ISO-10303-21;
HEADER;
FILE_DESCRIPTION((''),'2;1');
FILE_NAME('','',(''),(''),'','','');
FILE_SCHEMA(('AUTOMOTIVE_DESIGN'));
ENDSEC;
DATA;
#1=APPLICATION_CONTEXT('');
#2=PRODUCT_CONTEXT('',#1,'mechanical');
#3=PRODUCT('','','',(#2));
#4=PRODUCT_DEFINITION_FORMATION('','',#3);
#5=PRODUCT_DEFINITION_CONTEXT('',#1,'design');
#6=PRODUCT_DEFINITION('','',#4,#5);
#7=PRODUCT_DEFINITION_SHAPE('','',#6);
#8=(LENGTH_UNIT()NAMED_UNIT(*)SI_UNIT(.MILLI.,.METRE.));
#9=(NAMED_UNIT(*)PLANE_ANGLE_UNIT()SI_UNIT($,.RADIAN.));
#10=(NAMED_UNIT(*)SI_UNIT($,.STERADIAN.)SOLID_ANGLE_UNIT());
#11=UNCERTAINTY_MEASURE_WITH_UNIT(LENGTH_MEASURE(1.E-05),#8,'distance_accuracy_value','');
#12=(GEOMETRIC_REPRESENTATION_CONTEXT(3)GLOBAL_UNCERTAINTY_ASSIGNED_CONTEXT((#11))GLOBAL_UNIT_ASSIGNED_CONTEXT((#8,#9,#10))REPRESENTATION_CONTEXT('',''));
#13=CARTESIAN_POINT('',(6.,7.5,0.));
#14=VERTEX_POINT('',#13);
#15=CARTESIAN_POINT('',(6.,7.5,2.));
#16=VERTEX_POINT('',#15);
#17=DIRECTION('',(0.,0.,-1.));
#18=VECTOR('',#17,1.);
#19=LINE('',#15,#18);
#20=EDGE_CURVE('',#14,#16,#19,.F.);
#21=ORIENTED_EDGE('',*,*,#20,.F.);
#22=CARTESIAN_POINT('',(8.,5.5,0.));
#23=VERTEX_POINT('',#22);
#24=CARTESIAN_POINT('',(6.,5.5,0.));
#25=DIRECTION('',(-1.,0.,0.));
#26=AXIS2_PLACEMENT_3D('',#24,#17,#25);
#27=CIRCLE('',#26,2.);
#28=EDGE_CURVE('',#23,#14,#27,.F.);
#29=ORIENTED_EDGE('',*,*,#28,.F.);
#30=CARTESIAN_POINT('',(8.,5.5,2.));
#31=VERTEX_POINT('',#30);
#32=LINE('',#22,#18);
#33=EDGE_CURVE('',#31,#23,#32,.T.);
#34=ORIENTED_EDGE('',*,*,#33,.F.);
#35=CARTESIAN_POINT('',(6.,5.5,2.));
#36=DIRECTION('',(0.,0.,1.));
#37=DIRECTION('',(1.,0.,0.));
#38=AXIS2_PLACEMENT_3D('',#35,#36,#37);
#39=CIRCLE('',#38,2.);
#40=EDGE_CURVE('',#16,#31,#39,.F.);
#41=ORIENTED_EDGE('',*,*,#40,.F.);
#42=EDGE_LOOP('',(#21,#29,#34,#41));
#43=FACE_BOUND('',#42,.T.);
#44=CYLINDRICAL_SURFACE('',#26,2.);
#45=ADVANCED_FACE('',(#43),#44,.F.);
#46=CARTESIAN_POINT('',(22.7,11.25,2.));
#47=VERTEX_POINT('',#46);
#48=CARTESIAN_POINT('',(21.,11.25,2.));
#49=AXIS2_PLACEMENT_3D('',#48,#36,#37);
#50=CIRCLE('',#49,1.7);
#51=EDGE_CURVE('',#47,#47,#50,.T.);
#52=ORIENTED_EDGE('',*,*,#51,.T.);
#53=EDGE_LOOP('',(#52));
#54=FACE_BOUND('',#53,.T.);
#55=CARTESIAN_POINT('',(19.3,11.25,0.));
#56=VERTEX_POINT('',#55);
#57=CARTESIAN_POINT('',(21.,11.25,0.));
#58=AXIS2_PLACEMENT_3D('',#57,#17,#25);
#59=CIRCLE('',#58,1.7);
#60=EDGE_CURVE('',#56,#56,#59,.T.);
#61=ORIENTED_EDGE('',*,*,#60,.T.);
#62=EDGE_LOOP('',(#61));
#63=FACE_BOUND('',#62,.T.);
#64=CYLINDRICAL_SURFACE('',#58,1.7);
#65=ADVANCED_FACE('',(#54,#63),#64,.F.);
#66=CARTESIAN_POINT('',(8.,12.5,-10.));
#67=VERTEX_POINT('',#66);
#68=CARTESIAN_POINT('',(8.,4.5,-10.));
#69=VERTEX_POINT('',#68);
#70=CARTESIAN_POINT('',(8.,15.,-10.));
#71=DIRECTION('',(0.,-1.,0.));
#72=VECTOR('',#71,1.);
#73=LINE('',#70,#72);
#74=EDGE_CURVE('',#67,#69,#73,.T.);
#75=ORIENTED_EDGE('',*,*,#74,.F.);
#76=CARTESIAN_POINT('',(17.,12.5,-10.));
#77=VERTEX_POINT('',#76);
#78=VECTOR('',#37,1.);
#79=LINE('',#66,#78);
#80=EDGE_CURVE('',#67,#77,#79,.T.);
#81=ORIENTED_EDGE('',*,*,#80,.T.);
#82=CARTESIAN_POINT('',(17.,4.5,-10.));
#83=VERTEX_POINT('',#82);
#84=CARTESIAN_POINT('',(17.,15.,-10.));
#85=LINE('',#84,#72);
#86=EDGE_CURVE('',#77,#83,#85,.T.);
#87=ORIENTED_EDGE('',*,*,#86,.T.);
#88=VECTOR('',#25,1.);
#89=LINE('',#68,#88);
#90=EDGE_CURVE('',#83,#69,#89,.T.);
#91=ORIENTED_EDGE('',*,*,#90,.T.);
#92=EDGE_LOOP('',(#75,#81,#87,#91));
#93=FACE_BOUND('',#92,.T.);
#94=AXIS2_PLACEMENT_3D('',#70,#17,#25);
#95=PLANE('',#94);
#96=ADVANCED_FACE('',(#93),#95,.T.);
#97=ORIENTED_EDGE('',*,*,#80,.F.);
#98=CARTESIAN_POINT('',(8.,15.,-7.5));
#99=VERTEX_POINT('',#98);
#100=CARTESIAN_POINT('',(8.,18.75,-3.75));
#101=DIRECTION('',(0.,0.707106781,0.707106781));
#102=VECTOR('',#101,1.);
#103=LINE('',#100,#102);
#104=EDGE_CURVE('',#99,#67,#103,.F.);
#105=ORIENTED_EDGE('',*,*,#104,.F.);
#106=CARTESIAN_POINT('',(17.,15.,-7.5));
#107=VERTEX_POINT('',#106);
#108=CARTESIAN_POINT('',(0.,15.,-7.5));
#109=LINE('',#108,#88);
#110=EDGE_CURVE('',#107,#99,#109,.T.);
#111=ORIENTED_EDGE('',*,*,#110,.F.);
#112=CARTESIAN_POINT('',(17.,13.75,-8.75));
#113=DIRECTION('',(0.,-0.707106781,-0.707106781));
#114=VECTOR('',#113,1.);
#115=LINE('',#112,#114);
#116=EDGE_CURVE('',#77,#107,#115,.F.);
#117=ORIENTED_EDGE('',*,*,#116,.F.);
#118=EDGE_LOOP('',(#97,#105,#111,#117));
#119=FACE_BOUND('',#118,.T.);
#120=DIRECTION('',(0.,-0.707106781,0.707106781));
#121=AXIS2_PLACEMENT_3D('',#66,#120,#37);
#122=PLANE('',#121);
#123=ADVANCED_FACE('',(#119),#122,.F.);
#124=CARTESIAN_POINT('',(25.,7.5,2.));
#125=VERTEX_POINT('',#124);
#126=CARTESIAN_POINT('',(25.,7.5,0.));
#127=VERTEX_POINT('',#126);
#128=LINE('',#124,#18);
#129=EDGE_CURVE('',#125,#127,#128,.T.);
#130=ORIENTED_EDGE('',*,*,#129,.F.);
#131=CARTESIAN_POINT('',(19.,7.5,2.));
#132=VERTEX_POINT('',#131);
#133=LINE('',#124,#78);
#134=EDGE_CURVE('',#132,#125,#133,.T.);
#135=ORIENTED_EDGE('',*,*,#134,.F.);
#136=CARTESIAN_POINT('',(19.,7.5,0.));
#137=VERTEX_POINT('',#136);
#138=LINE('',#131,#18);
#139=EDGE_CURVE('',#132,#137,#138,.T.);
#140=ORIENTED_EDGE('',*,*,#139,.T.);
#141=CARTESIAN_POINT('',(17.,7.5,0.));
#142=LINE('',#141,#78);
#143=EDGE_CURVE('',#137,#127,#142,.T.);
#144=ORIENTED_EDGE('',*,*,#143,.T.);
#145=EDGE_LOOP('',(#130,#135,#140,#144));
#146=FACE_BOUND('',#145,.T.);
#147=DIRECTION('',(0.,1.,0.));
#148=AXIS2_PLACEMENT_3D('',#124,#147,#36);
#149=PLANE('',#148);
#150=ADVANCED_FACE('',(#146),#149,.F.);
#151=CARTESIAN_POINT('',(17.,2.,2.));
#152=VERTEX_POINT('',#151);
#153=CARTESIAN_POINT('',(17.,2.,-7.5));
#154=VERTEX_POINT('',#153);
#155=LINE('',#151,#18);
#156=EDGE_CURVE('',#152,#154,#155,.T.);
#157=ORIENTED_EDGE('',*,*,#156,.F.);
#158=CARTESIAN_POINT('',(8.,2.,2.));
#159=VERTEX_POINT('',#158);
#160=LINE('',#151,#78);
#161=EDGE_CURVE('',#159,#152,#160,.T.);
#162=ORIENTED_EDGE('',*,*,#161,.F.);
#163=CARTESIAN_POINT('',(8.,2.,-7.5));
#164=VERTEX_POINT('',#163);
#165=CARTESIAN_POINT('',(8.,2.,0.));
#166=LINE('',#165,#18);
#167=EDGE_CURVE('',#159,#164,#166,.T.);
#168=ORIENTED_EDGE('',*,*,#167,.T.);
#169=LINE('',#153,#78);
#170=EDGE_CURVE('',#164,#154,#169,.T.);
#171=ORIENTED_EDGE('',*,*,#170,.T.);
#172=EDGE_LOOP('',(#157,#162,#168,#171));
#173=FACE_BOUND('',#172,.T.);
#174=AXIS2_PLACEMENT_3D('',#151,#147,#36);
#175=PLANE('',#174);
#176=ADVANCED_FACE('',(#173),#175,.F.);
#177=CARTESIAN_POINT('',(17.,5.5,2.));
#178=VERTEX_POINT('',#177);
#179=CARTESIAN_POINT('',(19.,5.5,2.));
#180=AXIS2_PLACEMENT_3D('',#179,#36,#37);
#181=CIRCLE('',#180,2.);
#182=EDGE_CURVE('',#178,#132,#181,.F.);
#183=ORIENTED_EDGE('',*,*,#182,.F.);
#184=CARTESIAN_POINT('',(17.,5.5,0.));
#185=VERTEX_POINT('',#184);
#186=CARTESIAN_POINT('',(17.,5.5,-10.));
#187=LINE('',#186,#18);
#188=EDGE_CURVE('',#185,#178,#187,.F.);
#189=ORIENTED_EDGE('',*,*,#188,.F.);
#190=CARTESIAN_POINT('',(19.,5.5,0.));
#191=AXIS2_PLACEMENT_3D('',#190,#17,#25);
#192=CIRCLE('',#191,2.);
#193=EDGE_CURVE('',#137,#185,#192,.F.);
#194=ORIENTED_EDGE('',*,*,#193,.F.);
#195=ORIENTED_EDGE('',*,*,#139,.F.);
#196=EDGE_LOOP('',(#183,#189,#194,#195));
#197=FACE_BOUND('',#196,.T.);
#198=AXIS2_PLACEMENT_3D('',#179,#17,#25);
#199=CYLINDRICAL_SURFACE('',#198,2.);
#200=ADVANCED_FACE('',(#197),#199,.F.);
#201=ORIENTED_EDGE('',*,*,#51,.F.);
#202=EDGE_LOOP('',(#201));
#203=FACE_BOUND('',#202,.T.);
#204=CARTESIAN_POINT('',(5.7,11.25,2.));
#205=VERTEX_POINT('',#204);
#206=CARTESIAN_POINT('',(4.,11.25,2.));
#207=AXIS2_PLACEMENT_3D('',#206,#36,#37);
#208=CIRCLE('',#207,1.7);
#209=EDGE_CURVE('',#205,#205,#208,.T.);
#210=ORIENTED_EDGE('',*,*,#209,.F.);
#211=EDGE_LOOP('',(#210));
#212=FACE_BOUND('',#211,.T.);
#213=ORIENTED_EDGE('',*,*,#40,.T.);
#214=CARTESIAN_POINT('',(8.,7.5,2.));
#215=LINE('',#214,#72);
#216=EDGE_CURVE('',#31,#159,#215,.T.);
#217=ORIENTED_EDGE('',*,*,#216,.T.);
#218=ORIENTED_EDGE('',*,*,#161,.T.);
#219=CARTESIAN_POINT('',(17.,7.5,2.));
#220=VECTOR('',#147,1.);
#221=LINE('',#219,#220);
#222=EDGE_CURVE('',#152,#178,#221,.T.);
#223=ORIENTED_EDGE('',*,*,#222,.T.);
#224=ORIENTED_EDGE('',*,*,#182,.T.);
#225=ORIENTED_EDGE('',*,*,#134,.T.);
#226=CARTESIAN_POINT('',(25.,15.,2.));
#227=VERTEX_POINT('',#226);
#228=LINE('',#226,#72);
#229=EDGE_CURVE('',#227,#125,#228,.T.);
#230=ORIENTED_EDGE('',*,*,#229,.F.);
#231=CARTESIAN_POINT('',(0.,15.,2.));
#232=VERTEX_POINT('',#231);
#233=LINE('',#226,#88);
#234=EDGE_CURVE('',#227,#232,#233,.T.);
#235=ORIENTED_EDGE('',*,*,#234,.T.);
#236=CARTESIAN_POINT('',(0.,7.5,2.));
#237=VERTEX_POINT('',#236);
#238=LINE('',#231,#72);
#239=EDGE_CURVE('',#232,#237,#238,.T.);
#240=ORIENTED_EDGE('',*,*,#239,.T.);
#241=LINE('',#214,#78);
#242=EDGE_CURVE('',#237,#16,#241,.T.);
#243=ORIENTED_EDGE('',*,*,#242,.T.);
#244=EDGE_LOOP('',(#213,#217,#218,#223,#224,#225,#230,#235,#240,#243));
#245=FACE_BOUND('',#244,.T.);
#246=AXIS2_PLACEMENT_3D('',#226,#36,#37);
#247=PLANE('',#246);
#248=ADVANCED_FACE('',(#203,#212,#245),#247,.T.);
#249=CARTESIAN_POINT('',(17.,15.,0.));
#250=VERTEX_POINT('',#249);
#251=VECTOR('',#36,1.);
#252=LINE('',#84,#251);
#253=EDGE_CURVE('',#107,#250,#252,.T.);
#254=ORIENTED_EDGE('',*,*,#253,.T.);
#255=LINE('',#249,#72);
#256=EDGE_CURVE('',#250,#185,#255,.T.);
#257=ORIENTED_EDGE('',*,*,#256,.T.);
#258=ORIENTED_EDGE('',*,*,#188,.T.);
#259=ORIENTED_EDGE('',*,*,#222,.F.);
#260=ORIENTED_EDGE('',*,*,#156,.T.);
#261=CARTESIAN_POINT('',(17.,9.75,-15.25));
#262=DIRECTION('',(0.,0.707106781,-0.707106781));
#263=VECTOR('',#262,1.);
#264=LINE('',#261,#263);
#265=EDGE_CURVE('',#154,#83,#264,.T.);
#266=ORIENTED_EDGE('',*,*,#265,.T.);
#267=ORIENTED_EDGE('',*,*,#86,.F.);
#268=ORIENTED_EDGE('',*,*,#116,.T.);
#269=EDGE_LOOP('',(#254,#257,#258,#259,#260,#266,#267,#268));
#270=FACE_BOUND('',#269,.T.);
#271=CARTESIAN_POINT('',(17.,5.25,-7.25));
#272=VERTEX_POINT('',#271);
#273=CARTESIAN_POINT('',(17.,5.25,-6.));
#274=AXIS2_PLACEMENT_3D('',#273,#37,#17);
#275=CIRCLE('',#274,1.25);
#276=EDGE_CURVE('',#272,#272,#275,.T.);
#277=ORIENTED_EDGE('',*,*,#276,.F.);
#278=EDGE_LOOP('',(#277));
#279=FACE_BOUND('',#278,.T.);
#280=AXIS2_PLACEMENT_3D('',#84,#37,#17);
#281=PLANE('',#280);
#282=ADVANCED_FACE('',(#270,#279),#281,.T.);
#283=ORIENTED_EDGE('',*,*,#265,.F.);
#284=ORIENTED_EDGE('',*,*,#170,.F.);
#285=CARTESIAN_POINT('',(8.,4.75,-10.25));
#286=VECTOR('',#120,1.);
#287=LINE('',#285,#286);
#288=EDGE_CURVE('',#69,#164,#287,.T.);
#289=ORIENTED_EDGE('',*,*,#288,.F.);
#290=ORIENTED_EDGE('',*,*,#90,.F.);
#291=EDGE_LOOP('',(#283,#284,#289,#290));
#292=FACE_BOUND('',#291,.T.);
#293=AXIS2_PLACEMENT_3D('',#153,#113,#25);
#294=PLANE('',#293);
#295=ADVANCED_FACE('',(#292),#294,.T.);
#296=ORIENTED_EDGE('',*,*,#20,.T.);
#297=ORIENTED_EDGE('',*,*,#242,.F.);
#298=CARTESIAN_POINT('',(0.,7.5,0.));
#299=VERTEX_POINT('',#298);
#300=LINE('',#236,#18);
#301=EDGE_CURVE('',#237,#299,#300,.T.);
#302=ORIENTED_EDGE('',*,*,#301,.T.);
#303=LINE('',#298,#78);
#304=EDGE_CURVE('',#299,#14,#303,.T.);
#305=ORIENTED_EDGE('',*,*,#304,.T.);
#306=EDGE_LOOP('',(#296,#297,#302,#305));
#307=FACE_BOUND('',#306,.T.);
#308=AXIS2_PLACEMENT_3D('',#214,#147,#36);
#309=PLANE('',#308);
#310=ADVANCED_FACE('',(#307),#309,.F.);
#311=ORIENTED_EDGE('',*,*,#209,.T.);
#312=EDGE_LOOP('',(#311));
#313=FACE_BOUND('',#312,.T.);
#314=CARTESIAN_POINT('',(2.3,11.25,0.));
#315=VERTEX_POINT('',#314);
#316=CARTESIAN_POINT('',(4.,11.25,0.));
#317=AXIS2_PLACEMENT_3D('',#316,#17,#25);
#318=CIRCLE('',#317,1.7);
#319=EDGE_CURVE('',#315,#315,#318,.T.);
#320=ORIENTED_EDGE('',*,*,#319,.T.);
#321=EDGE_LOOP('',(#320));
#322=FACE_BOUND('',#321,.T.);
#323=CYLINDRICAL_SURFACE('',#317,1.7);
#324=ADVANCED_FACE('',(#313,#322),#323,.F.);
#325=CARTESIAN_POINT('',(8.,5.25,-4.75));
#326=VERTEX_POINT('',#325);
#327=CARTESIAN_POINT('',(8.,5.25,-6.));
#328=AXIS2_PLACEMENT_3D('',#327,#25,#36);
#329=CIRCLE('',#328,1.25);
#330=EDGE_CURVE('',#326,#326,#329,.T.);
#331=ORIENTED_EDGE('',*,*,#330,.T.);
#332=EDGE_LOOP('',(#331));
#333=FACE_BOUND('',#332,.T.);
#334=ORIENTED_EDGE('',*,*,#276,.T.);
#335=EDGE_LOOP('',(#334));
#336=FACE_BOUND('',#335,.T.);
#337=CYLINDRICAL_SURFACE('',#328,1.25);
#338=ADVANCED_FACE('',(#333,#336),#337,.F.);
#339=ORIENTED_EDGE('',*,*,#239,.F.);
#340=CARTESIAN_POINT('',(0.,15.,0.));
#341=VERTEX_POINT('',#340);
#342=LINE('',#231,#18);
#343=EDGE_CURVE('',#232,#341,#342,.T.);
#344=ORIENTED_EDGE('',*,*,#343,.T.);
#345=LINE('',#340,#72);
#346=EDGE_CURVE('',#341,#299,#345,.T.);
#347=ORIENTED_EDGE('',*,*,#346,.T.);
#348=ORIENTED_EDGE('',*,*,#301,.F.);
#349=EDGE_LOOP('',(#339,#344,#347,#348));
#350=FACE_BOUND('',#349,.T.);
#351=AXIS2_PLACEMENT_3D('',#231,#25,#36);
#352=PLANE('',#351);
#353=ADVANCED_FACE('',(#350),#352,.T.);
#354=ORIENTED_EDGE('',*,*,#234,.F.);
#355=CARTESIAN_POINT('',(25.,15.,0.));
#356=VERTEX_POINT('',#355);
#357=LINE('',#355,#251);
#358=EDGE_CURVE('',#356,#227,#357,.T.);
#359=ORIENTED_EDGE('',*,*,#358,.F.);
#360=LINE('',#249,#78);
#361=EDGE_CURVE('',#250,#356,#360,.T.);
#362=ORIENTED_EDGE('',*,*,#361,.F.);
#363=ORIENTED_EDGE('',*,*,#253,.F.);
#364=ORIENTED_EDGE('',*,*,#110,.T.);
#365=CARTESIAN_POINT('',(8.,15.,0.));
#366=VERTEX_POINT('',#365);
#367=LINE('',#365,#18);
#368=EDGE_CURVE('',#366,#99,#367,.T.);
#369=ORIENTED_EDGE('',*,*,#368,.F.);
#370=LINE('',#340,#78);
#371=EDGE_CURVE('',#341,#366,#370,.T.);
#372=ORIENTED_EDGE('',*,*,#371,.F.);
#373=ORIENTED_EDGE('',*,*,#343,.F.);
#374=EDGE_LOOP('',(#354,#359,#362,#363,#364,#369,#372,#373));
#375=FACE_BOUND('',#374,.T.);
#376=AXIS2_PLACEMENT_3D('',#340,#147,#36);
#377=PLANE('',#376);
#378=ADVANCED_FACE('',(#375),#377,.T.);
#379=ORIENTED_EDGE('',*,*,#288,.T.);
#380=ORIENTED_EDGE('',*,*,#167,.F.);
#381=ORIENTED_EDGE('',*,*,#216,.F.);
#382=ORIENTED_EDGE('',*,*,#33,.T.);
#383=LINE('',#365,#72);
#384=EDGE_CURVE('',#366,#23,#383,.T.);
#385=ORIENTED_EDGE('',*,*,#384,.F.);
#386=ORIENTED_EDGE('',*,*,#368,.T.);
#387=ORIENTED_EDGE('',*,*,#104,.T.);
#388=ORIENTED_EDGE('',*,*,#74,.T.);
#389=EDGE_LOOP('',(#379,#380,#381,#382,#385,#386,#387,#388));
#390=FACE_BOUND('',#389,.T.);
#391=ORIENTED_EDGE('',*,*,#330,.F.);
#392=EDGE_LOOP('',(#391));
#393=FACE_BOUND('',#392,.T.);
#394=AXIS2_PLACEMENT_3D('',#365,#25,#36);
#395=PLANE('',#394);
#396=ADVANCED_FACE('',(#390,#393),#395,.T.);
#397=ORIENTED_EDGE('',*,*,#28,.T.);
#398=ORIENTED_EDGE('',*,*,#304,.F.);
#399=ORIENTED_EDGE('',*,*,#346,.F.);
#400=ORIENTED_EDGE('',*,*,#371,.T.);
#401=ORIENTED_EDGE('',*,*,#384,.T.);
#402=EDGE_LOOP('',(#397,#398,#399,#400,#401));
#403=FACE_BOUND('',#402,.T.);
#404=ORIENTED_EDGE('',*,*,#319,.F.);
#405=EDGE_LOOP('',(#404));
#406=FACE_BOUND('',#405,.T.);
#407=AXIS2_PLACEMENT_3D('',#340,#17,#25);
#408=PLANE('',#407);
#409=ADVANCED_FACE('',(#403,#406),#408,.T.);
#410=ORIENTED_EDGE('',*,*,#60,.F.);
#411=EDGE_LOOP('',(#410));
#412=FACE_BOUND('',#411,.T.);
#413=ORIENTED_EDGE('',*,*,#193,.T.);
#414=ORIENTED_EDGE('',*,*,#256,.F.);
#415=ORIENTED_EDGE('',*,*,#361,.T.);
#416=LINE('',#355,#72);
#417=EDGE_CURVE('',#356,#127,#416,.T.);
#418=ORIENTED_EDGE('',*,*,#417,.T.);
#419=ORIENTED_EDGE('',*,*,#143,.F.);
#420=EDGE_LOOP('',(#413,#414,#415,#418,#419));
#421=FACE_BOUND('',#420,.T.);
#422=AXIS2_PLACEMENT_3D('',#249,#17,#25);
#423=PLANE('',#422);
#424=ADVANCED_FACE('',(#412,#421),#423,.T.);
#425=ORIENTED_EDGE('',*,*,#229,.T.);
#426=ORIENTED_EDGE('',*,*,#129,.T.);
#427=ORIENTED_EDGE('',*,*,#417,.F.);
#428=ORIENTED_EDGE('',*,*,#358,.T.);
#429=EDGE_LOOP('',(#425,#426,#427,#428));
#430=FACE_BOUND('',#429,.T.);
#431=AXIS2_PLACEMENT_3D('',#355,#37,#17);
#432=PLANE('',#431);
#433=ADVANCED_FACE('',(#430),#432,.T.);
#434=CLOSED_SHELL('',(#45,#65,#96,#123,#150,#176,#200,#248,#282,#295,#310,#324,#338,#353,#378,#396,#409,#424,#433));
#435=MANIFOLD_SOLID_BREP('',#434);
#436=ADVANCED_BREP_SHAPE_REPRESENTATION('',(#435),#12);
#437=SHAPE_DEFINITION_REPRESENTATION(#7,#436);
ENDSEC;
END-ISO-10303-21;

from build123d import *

# Parameters (mm, degrees)
BOSS_EXTRUDE1_DEPTH         = 15
CUT_EXTRUDE2_DEPTH          = 11
CUT_EXTRUDE2_DEPTH_BACK     = 3
M3_CLEARANCE_HOLE1_D        = 3.4
M3_CLEARANCE_HOLE1_DEPTH    = 3.9
M3_CLEARANCE_HOLE1_TIP      = 1.021463052
TAP_DRILL_FOR_M3X0_5_TAP1_D = 2.5
CHAMFER2_SIZE               = 2.5
FILLET1_R                   = 2


with BuildPart() as part:
    # Sketch1 → Boss-Extrude1 (new body)
    with BuildSketch(Plane(origin=(0, 0, 0), x_dir=(1, 0, 0), z_dir=(0, 1, 0))):
        Polygon((0, 0), (8, 0), (8, 10), (17, 10), (17, 0), (25, 0), (25, -2), (0, -2), align=None)
    extrude(amount=BOSS_EXTRUDE1_DEPTH)

    # Sketch5 → Cut-Extrude2 (cut, two sides)
    with BuildSketch(Plane(origin=(0, 0, 0), x_dir=(-1, 0, 0), z_dir=(0, 0, -1))) as cut_extrude2_sk:
        Polygon((-25, 7.5), (-17, 7.5), (-17, 2), (-8, 2), (-8, 7.5), (0, 7.5), (0, 0), (-8, 0), (-17, 0), (-25, 0), align=None)
    extrude(amount=CUT_EXTRUDE2_DEPTH, mode=Mode.SUBTRACT)
    extrude(cut_extrude2_sk.sketch, amount=-CUT_EXTRUDE2_DEPTH_BACK, mode=Mode.SUBTRACT)

    # M3 Clearance Hole1
    with Locations(Plane(origin=(0, 0, 0), x_dir=(-1, 0, 0), z_dir=(0, 0, -1))):
        with Locations((-4, 11.25), (-21, 11.25)):
            Hole(M3_CLEARANCE_HOLE1_D / 2, depth=M3_CLEARANCE_HOLE1_DEPTH)
            with Locations((0, 0, -(M3_CLEARANCE_HOLE1_DEPTH + M3_CLEARANCE_HOLE1_TIP / 2))):  # 118° drill point
                Cone(0, M3_CLEARANCE_HOLE1_D / 2, M3_CLEARANCE_HOLE1_TIP, mode=Mode.SUBTRACT)

    # Tap Drill for M3x0.5 Tap1 (through all)
    with Locations(Plane.ZY.offset(-8)):
        with Locations((-6, 5.25)):
            Hole(TAP_DRILL_FOR_M3X0_5_TAP1_D / 2)

    # Chamfer2
    chamfer2_edges = [part.edges().sort_by_distance(p)[0] for p in [
        (12.5, 15, -10),
        (12.5, 2, -10),
    ]]
    chamfer(chamfer2_edges, length=CHAMFER2_SIZE)

    # Fillet1
    fillet1_edges = [part.edges().sort_by_distance(p)[0] for p in [
        (17, 7.5, 1),
        (8, 7.5, 1),
    ]]
    fillet(fillet1_edges, radius=FILLET1_R)


solid = part.part
